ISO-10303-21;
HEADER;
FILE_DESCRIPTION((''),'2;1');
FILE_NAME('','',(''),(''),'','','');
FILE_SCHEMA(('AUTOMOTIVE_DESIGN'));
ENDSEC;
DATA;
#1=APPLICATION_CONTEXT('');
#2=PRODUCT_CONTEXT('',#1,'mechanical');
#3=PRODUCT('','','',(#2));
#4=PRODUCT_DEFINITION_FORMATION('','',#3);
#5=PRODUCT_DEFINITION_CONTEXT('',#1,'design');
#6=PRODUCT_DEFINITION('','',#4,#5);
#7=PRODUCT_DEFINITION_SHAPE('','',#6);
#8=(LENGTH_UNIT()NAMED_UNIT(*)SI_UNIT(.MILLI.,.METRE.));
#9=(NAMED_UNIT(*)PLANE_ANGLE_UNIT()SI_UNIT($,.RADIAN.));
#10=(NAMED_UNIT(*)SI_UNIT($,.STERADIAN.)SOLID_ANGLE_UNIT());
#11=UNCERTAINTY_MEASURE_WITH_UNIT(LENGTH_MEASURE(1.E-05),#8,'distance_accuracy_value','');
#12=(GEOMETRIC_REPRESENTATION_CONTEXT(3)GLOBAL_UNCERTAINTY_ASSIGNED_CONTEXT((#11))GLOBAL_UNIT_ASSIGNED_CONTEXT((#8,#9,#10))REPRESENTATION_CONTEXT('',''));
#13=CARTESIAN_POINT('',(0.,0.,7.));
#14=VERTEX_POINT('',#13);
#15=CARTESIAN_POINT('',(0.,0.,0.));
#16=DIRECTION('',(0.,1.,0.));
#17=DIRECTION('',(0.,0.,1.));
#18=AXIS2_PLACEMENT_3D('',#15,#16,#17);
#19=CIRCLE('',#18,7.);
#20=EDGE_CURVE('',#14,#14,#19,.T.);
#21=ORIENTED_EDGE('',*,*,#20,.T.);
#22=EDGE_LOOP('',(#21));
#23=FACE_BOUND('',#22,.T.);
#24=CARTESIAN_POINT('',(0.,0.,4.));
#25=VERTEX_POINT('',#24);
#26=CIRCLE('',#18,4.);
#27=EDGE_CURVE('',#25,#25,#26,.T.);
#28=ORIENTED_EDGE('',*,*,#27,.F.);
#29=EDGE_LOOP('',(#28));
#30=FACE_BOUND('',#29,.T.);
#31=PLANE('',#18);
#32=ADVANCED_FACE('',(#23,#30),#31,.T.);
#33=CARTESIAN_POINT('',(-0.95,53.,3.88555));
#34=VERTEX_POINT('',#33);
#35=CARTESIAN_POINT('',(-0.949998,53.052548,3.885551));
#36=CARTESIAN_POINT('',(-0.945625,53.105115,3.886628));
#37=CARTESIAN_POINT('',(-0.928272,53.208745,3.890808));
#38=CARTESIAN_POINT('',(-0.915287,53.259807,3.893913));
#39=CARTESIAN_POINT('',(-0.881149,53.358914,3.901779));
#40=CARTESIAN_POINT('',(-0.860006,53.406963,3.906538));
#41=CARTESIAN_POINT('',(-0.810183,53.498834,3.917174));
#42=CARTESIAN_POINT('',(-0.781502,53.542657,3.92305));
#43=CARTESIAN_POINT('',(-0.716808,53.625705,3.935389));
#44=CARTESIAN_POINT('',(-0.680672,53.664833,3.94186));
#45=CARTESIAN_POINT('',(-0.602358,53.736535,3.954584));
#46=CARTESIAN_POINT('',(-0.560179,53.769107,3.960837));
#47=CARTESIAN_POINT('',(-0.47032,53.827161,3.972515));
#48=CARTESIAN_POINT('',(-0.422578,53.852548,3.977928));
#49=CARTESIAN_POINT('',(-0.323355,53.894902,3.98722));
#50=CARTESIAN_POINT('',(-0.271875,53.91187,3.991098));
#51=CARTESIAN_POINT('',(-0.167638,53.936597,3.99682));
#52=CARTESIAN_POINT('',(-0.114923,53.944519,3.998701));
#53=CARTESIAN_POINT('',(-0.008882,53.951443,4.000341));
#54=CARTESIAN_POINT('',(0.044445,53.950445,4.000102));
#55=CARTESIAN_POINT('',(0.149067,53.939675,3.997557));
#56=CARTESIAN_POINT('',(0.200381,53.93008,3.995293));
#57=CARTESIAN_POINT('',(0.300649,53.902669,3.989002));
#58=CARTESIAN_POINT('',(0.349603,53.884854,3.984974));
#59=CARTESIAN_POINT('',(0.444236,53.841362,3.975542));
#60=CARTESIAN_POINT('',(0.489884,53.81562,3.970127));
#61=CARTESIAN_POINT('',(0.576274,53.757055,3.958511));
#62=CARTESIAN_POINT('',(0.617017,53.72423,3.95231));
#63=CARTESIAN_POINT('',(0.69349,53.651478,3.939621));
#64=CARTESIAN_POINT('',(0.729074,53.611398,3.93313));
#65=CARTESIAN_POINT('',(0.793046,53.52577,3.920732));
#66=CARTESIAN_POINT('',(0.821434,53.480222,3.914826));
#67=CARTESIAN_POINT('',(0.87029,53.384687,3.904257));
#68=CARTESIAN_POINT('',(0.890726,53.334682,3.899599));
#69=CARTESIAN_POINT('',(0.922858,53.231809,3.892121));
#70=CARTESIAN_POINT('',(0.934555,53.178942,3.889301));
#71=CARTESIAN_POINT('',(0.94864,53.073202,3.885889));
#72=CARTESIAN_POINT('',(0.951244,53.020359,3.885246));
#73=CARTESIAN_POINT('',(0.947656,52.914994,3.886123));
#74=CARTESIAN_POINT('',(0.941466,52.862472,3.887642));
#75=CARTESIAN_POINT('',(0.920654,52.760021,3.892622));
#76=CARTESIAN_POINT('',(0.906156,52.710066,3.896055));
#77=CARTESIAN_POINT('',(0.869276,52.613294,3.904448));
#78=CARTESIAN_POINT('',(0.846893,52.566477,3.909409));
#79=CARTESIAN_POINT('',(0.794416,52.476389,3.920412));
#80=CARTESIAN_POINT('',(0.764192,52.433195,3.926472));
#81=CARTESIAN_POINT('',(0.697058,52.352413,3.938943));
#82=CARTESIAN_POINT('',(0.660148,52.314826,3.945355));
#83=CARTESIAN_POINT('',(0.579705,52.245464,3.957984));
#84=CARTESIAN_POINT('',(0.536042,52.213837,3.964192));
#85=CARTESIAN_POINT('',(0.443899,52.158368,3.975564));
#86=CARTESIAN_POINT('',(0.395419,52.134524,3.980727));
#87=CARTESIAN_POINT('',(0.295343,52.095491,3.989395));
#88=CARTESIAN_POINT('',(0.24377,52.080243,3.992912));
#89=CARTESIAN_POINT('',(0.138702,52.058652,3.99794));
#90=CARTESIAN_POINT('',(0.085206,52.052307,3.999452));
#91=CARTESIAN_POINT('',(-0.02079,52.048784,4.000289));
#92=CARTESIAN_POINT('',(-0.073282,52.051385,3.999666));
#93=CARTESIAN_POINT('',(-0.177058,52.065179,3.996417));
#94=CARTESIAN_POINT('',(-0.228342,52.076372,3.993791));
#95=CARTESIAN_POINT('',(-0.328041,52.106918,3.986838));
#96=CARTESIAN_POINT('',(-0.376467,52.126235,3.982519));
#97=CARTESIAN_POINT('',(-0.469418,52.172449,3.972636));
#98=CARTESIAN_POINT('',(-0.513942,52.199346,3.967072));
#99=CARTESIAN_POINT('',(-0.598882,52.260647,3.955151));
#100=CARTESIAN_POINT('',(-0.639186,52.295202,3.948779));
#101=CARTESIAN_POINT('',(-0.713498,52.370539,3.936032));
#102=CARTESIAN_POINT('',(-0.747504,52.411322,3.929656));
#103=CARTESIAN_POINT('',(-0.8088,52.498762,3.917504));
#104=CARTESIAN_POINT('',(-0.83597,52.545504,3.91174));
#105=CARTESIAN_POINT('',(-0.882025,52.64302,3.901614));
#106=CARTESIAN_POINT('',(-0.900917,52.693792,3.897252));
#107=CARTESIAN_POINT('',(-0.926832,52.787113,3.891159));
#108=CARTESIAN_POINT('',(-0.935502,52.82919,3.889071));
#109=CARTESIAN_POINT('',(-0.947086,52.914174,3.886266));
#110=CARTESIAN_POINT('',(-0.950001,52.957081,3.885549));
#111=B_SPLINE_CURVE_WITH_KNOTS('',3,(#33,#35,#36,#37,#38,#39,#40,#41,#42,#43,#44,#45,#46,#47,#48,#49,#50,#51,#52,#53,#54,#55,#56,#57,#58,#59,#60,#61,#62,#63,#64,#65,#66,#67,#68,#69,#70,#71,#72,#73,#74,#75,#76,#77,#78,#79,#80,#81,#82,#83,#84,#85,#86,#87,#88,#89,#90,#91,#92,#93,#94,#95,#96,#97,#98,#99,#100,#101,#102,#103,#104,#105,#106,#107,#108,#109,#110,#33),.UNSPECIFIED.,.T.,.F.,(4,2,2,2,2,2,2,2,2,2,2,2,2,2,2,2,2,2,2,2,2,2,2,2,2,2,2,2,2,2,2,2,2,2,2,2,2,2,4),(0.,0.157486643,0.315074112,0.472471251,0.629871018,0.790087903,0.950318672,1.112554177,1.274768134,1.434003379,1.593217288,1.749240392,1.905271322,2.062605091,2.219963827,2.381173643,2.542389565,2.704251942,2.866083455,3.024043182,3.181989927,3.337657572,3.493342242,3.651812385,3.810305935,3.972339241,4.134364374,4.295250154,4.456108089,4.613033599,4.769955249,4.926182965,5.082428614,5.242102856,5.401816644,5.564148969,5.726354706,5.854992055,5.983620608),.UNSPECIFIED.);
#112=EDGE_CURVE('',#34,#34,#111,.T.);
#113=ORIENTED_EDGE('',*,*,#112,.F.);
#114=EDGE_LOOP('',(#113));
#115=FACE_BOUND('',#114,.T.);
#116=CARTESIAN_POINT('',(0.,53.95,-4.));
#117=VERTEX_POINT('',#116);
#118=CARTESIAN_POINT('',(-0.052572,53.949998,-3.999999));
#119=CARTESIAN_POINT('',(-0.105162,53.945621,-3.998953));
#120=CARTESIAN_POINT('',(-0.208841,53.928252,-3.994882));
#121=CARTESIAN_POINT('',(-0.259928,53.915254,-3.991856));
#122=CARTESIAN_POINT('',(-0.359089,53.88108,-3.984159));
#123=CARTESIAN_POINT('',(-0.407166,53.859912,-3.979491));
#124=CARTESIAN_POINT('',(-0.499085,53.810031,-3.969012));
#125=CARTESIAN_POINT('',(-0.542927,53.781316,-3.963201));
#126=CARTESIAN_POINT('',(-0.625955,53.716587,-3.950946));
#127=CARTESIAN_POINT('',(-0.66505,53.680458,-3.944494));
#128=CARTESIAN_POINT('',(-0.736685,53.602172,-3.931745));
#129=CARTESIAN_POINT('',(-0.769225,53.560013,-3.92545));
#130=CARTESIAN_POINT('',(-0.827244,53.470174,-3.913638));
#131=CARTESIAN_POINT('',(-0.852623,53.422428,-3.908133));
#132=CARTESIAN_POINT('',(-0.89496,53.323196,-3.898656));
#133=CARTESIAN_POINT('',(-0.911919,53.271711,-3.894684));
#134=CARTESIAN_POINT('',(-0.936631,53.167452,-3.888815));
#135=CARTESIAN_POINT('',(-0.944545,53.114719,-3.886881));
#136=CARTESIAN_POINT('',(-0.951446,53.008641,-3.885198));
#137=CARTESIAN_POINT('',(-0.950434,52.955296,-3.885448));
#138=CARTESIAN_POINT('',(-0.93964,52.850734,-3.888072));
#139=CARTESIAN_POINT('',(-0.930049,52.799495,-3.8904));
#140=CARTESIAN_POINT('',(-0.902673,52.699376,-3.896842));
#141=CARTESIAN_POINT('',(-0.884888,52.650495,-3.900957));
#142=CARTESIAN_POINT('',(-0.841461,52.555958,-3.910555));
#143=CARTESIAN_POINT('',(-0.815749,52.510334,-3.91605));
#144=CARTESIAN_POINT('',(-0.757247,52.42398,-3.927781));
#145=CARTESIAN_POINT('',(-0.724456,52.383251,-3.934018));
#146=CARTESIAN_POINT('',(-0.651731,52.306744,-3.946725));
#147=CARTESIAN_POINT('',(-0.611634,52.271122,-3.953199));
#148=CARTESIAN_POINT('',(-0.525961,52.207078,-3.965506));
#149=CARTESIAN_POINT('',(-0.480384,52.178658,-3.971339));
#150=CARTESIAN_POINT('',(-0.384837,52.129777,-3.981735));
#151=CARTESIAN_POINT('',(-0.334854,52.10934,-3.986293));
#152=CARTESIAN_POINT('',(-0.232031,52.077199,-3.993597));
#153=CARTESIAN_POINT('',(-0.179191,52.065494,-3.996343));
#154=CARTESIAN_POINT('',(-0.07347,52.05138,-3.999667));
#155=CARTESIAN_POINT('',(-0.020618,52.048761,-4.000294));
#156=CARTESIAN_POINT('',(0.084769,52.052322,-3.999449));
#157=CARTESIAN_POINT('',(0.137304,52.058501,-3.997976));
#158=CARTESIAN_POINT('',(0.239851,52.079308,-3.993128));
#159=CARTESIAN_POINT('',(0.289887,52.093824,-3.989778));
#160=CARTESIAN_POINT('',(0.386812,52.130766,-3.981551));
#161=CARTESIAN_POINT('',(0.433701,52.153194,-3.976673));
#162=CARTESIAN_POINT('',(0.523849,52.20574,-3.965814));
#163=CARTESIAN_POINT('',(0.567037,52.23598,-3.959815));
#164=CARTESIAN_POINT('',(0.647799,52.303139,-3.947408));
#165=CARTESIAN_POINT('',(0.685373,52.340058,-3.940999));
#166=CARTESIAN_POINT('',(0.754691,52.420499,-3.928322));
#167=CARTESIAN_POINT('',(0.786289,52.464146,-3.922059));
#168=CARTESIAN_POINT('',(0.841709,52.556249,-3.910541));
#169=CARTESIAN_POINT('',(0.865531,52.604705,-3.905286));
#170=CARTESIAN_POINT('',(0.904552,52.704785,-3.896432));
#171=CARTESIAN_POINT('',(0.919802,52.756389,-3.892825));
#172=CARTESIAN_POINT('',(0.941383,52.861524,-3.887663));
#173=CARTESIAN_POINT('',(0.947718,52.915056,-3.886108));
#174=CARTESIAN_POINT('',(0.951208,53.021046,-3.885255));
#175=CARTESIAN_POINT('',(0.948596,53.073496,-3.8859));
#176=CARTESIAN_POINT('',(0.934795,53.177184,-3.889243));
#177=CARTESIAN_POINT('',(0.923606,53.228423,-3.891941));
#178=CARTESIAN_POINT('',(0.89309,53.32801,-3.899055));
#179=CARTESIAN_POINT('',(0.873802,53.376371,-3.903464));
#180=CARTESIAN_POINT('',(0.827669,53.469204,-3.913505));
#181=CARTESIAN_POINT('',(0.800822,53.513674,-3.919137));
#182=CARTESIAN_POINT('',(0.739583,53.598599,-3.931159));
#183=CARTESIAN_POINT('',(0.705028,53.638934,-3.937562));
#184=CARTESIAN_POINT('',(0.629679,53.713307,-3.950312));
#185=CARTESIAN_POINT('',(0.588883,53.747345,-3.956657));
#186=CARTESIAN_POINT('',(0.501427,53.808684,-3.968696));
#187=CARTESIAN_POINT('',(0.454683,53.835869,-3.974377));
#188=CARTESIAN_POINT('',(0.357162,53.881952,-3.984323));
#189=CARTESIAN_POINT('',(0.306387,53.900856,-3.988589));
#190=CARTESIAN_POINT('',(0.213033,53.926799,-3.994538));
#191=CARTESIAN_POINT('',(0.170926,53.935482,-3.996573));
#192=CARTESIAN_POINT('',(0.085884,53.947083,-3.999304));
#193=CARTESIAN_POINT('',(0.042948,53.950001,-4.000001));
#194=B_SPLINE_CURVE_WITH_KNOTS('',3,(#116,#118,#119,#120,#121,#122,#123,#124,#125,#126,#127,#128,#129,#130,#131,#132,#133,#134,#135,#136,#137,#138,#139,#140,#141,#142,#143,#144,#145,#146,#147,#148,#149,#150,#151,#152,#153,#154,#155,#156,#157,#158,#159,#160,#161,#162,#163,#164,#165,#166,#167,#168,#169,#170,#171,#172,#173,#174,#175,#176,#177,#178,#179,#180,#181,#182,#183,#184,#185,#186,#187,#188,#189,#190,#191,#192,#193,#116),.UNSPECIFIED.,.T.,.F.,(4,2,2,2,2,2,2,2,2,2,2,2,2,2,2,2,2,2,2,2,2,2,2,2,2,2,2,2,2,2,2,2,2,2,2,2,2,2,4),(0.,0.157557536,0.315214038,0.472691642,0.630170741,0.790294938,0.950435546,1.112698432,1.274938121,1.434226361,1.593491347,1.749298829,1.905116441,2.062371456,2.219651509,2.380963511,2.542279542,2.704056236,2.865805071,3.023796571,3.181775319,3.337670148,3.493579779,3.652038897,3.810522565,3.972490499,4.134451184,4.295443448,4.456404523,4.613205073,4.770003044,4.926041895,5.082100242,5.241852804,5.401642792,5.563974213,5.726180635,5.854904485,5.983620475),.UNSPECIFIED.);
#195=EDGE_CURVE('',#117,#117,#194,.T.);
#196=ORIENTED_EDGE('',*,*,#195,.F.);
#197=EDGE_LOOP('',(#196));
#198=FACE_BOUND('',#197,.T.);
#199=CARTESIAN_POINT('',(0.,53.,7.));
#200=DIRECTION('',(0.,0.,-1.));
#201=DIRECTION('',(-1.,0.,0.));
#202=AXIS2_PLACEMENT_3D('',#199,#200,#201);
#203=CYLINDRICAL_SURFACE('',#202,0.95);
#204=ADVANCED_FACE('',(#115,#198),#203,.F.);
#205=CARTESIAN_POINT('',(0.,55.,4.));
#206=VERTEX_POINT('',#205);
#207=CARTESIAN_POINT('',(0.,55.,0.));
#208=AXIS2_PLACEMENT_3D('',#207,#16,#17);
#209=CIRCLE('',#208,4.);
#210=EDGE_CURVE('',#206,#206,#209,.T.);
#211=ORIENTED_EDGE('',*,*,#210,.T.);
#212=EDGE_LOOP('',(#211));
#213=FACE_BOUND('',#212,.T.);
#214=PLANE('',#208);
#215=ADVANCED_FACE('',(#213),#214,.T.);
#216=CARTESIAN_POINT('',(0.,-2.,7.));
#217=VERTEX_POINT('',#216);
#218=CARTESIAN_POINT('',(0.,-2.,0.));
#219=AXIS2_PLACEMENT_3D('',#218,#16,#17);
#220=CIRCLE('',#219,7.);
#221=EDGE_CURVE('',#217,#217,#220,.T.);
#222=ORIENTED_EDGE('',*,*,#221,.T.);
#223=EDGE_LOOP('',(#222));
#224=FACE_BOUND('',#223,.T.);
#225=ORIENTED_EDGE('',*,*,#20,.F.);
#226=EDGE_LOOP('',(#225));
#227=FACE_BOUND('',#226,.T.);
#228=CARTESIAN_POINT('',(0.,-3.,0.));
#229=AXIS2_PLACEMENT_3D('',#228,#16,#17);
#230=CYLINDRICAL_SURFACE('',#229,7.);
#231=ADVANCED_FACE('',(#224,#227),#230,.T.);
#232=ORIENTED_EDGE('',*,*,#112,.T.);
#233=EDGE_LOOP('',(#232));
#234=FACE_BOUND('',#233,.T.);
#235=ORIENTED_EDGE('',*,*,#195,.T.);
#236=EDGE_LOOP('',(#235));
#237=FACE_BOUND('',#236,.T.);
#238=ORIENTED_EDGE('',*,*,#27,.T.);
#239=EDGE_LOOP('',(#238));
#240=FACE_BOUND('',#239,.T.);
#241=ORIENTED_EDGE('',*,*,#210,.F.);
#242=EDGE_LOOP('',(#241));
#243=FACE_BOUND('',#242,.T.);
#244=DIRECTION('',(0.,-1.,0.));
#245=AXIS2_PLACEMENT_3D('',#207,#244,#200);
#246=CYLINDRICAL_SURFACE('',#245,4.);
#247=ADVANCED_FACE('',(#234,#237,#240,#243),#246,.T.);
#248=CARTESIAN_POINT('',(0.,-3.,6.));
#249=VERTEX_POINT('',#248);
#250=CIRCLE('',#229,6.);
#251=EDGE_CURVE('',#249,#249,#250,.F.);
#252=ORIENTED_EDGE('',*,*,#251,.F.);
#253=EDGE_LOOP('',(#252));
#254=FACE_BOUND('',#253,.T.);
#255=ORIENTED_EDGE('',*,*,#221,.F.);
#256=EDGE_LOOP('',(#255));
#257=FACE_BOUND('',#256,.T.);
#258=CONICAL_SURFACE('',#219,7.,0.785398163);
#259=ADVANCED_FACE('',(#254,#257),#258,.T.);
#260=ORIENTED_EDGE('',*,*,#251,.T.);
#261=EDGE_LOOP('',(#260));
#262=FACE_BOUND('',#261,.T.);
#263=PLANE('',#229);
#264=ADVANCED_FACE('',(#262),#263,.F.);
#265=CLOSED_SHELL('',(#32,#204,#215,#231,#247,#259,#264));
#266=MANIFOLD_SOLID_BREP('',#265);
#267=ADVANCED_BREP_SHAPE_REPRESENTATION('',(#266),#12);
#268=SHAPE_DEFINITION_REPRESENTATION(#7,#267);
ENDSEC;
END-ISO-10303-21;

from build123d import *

# Parameters (mm, degrees)
SKETCH1_R           = 7
BOSS_EXTRUDE1_DEPTH = 3
SKETCH1_3_R         = 4
BOSS_EXTRUDE2_DEPTH = 55
SKETCH2_R           = 0.95
CUT_EXTRUDE1_DEPTH  = 57.524331044
CHAMFER1_SIZE       = 1


with BuildPart() as part:
    # Sketch1 → Boss-Extrude1 (new body)
    with BuildSketch(Plane(origin=(0, 0, 0), x_dir=(1, 0, 0), z_dir=(0, 1, 0))):
        Circle(SKETCH1_R)
    extrude(amount=-BOSS_EXTRUDE1_DEPTH)

    # Sketch1<3> → Boss-Extrude2 (add)
    with BuildSketch(Plane(origin=(0, 0, 0), x_dir=(1, 0, 0), z_dir=(0, 1, 0))):
        Circle(SKETCH1_3_R)
    extrude(amount=BOSS_EXTRUDE2_DEPTH)

    # Sketch2 → Cut-Extrude1 (cut, through all)
    with BuildSketch(Plane(origin=(0, 0, -4), x_dir=(-1, 0, 0), z_dir=(0, 0, -1))):
        with Locations((0, 53)):
            Circle(SKETCH2_R)
    extrude(amount=-CUT_EXTRUDE1_DEPTH, mode=Mode.SUBTRACT)

    # Chamfer1
    chamfer1_edges = [part.edges().sort_by_distance(p)[0] for p in [
        (-7, -3, 0),
    ]]
    chamfer(chamfer1_edges, length=CHAMFER1_SIZE)


solid = part.part
